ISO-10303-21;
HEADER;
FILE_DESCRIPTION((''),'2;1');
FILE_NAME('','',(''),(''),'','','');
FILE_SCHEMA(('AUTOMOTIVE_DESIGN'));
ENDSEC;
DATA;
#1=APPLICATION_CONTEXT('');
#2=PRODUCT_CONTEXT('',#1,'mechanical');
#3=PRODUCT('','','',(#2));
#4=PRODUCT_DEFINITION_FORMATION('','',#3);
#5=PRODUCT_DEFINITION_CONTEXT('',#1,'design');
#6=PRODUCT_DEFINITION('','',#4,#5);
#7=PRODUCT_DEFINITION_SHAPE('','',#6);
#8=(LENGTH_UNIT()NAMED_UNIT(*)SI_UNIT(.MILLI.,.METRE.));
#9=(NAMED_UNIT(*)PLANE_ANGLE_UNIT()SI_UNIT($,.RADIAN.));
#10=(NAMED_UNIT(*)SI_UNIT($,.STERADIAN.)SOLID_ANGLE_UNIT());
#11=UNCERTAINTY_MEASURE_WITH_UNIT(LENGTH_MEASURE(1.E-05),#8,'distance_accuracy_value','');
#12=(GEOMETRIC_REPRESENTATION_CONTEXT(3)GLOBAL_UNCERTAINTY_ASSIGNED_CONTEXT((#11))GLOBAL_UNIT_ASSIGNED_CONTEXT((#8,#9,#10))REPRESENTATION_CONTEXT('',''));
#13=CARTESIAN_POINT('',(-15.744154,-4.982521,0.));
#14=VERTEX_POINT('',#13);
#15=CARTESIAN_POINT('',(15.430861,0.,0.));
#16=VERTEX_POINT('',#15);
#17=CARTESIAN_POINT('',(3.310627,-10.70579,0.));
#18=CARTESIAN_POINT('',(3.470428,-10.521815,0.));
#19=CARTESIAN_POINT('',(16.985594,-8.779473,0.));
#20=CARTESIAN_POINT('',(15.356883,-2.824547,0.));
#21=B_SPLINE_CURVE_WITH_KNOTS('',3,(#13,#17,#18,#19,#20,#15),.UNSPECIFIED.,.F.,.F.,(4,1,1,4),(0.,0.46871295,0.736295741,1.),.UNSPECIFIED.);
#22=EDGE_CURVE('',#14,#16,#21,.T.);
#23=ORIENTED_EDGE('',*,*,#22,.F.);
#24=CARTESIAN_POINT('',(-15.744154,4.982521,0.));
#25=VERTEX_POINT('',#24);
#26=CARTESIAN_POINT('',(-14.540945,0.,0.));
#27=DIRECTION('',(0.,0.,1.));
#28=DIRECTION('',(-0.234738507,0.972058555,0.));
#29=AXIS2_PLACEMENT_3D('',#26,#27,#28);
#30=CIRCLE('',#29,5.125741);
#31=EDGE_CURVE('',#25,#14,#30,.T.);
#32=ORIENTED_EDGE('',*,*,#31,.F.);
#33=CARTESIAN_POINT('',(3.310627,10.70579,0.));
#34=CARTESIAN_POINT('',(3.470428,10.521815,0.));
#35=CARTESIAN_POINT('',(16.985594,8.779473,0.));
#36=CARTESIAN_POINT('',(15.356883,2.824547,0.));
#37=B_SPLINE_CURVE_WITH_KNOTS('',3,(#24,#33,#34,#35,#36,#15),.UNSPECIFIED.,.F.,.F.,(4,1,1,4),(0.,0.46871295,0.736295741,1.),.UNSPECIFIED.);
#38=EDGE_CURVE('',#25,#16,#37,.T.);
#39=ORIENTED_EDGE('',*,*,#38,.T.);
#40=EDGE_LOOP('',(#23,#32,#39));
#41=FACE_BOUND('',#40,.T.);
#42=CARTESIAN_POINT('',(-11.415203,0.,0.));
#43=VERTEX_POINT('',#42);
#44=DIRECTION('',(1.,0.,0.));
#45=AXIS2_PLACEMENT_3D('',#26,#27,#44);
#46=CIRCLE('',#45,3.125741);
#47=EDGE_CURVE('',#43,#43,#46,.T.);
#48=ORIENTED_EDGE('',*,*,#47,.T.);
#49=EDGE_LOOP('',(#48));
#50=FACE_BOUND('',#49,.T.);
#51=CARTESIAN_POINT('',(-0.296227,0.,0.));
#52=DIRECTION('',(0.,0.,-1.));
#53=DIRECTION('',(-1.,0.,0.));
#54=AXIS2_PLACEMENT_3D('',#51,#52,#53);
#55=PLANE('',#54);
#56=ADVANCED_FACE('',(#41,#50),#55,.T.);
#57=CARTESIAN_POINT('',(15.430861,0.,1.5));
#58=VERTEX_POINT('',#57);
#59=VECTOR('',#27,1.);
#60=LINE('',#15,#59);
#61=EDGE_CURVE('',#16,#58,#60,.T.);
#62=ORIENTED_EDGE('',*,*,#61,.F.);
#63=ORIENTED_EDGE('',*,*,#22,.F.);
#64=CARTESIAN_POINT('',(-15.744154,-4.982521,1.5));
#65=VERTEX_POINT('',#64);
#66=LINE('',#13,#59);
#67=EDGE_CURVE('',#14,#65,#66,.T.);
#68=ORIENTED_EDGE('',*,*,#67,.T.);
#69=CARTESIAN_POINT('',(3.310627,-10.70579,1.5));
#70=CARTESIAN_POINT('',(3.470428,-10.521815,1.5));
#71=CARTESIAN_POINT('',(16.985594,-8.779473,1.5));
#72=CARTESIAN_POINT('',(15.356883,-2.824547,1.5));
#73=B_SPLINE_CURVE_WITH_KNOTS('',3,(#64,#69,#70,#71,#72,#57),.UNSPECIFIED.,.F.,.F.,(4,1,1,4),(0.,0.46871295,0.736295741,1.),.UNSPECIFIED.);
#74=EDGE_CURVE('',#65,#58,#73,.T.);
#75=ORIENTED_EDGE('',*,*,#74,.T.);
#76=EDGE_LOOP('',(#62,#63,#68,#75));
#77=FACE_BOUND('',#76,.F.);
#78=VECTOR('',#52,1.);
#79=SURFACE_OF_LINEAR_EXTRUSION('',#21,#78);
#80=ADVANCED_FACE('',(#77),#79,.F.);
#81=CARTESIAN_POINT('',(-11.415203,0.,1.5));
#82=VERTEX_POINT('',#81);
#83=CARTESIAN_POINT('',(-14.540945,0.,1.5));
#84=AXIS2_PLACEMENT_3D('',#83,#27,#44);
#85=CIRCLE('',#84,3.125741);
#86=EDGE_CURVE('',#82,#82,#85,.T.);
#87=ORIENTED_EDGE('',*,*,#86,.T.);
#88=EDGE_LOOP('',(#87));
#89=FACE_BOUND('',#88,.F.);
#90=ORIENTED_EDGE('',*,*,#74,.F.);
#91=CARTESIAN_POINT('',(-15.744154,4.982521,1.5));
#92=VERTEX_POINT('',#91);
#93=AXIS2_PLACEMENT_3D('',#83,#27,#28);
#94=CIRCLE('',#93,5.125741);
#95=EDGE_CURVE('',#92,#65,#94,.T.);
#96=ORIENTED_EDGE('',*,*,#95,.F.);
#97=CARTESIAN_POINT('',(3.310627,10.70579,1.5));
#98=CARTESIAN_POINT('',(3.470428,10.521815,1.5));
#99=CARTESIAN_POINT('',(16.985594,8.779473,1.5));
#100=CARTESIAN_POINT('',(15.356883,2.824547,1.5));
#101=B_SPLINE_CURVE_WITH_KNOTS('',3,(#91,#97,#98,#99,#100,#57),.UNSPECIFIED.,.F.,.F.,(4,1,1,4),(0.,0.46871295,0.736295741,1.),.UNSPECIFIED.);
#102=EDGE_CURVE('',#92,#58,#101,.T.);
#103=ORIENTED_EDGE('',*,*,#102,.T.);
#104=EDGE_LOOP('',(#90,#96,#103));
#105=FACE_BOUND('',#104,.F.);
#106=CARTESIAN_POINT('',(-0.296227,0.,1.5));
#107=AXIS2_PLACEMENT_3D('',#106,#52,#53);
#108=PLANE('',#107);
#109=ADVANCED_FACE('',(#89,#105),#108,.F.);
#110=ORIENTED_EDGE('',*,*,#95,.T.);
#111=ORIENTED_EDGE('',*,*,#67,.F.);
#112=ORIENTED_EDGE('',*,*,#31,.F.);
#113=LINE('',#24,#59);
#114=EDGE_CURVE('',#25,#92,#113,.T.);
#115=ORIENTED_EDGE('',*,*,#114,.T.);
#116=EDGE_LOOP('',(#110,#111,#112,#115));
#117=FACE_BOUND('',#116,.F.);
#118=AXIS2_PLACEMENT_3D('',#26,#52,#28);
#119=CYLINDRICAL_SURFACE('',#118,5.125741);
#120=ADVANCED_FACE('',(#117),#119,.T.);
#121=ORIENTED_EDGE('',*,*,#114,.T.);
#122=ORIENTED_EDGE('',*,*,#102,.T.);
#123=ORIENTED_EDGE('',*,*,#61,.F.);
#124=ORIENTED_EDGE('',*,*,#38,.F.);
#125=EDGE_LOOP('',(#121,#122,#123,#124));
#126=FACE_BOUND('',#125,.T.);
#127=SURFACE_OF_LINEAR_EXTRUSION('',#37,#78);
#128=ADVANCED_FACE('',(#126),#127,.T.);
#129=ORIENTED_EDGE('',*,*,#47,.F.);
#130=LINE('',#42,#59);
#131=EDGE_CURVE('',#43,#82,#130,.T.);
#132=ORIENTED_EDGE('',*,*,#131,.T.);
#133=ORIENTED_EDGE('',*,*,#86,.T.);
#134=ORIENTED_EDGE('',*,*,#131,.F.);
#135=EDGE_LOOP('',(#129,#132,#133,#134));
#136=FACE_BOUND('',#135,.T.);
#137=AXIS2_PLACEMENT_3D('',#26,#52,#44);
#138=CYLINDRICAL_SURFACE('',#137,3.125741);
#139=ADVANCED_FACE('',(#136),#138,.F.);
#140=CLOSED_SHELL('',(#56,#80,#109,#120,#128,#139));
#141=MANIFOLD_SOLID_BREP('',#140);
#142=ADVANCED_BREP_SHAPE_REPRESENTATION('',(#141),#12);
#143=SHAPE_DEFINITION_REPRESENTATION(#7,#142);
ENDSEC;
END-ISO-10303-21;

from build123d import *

# Parameters (mm, degrees)
F0_R     = 3.1257411785
F1_DEPTH = 1.5


with BuildPart() as f1:
    # F0 (on Top) → F1 (new body)
    with BuildSketch(Plane.XY):
        with BuildLine():
            add(Edge.make_bspline(
                [(-15.7441535059, 4.9825205612), (3.3106269912, 10.7057899808), (3.4704280619, 10.5218150047), (16.9855939894, 8.7794726641), (15.3568830055, 2.8245466134), (15.430860795, 0)],
                knots=[0, 0, 0, 0, 0.4687129503, 0.7362957408, 1, 1, 1, 1], degree=3))
            ThreePointArc((-15.7441535059, 4.9825205612), (-19.6666858551, 0), (-15.7441535059, -4.9825205612))
            add(Edge.make_bspline(
                [(-15.7441535059, -4.9825205612), (3.3106269912, -10.7057899808), (3.4704280619, -10.5218150047), (16.9855939894, -8.7794726641), (15.3568830055, -2.8245466134), (15.430860795, 0)],
                knots=[0, 0, 0, 0, 0.4687129503, 0.7362957408, 1, 1, 1, 1], degree=3))
        make_face()
        with Locations((-14.5409446766, 0)):
            Circle(F0_R, mode=Mode.SUBTRACT)
    extrude(amount=F1_DEPTH)


solid = f1.part
